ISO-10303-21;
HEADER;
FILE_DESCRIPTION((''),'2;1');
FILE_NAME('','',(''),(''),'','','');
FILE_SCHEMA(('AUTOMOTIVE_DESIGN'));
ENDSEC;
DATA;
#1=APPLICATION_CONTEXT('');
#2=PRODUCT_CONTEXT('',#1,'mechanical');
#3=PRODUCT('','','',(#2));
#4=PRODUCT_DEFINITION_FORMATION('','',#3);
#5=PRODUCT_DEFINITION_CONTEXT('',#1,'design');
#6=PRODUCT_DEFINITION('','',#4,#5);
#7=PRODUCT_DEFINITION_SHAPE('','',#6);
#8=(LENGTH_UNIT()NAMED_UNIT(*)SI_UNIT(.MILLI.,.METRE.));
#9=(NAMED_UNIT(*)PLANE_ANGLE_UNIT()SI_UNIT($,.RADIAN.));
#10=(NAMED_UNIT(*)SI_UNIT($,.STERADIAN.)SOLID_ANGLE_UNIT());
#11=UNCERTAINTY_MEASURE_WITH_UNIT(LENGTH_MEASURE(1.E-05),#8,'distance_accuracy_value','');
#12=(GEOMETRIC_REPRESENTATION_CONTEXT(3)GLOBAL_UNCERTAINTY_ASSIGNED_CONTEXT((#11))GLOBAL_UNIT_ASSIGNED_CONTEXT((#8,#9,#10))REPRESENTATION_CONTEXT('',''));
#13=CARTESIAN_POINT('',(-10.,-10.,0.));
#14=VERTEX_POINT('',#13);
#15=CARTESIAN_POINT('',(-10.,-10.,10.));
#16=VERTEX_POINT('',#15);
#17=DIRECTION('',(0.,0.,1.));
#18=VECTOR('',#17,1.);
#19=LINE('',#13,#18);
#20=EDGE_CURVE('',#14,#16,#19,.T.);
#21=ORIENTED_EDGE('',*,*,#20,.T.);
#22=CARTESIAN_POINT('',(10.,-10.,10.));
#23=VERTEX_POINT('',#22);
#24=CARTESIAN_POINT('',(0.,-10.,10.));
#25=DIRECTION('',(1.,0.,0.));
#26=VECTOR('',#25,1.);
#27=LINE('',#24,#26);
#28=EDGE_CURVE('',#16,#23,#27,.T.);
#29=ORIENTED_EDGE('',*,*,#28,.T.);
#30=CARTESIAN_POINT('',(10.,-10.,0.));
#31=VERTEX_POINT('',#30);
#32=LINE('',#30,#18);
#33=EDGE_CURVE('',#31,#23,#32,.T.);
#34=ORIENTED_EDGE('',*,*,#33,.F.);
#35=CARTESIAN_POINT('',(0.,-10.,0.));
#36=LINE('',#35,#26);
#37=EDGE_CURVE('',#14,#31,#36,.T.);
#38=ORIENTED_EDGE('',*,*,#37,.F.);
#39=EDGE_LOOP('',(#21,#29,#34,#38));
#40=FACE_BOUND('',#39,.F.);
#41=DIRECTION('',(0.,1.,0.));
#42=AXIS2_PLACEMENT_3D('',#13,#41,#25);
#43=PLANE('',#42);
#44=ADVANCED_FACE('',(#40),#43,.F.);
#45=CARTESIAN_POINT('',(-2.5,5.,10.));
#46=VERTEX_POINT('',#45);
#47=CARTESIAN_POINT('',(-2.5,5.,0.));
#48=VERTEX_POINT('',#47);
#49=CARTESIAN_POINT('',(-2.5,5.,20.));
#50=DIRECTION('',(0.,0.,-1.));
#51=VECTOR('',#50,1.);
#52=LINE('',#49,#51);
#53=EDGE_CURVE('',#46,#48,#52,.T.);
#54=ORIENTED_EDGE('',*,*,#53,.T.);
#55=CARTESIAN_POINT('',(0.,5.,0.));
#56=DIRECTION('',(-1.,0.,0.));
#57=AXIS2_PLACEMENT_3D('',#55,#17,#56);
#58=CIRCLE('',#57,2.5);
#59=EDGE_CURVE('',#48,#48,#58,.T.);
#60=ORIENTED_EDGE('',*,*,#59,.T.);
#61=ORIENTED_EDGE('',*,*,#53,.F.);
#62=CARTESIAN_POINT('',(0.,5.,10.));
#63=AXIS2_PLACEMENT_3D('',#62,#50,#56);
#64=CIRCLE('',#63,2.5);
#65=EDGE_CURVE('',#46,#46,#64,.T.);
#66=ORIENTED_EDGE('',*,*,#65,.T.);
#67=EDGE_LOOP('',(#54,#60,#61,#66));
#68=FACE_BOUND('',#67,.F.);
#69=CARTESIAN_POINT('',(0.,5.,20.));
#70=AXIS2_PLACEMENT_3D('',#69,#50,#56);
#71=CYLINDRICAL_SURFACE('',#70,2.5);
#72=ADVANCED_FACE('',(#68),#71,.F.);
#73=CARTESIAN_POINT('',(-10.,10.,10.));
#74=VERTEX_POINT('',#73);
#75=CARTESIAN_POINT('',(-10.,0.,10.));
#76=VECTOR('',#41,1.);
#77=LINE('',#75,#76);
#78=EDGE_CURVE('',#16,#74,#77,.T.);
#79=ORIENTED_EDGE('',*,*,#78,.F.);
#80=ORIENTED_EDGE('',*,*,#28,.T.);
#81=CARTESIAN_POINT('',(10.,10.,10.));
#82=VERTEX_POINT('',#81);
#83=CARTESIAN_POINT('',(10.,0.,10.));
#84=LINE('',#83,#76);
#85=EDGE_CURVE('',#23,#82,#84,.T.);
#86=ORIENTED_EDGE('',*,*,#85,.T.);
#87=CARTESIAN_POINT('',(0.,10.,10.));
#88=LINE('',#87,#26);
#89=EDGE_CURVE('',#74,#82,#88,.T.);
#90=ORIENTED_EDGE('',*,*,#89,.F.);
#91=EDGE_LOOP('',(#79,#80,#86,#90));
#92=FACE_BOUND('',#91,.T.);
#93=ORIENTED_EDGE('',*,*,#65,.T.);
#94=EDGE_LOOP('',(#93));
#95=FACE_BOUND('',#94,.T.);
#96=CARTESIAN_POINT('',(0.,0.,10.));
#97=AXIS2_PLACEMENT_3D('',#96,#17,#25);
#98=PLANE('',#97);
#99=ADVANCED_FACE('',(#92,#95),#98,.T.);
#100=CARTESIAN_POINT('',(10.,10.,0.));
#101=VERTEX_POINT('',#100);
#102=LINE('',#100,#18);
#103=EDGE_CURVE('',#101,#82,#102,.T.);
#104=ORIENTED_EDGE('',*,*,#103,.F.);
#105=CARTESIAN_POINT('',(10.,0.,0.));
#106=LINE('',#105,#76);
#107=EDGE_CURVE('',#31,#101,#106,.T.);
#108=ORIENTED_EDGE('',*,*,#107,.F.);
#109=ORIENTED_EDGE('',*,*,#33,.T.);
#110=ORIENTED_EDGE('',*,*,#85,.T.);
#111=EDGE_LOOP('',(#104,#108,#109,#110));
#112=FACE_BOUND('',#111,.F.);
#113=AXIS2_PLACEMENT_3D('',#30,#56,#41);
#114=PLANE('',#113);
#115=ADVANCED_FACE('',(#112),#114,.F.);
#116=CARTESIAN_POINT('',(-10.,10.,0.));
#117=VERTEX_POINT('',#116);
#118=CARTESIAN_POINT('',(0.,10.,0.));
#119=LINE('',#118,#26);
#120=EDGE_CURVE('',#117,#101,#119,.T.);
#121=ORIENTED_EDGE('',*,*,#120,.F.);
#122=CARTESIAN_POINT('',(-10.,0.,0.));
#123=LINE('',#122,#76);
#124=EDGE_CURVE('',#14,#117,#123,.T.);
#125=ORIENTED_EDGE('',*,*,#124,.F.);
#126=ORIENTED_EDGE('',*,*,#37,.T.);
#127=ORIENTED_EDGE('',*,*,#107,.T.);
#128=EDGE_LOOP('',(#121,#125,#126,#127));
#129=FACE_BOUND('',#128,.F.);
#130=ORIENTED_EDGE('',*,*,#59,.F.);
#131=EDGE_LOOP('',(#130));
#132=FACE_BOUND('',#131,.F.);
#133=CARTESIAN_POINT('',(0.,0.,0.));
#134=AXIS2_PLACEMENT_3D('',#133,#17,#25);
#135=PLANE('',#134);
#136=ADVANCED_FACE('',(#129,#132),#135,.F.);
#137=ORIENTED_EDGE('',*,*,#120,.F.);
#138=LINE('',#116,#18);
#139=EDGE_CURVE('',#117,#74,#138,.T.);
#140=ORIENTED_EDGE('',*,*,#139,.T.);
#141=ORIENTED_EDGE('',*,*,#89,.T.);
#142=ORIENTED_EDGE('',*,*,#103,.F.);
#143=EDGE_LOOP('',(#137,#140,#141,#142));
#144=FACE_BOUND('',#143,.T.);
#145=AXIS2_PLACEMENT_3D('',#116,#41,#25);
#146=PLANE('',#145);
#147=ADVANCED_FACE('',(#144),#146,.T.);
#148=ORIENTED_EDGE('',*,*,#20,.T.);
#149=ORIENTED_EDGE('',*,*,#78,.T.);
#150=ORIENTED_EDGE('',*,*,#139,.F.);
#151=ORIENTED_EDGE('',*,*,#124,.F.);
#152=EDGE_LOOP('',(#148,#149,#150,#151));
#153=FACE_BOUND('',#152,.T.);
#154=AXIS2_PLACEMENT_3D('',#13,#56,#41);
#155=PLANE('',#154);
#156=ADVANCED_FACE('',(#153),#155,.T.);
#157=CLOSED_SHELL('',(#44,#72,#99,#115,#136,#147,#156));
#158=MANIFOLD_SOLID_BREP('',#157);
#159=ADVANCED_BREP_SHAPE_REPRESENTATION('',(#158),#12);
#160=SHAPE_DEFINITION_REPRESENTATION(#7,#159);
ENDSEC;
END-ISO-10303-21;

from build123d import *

# Parameters (mm, degrees)
F0_W     = 20
F0_H     = 20
F1_DEPTH = 10
F3_D     = 5
F3_DEPTH = 10
F3_TIP   = 1.5021515476


with BuildPart() as f1:
    # F0 (on Top) → F1 (new body)
    with BuildSketch(Plane.XY):
        Rectangle(F0_W, F0_H)
    extrude(amount=F1_DEPTH)

    # F3
    with Locations(Plane.XY.offset(10)):
        with Locations((0, 5)):
            Hole(F3_D / 2, depth=F3_DEPTH)
            with Locations((0, 0, -(F3_DEPTH + F3_TIP / 2))):  # 118° drill point
                Cone(0, F3_D / 2, F3_TIP, mode=Mode.SUBTRACT)


solid = f1.part
